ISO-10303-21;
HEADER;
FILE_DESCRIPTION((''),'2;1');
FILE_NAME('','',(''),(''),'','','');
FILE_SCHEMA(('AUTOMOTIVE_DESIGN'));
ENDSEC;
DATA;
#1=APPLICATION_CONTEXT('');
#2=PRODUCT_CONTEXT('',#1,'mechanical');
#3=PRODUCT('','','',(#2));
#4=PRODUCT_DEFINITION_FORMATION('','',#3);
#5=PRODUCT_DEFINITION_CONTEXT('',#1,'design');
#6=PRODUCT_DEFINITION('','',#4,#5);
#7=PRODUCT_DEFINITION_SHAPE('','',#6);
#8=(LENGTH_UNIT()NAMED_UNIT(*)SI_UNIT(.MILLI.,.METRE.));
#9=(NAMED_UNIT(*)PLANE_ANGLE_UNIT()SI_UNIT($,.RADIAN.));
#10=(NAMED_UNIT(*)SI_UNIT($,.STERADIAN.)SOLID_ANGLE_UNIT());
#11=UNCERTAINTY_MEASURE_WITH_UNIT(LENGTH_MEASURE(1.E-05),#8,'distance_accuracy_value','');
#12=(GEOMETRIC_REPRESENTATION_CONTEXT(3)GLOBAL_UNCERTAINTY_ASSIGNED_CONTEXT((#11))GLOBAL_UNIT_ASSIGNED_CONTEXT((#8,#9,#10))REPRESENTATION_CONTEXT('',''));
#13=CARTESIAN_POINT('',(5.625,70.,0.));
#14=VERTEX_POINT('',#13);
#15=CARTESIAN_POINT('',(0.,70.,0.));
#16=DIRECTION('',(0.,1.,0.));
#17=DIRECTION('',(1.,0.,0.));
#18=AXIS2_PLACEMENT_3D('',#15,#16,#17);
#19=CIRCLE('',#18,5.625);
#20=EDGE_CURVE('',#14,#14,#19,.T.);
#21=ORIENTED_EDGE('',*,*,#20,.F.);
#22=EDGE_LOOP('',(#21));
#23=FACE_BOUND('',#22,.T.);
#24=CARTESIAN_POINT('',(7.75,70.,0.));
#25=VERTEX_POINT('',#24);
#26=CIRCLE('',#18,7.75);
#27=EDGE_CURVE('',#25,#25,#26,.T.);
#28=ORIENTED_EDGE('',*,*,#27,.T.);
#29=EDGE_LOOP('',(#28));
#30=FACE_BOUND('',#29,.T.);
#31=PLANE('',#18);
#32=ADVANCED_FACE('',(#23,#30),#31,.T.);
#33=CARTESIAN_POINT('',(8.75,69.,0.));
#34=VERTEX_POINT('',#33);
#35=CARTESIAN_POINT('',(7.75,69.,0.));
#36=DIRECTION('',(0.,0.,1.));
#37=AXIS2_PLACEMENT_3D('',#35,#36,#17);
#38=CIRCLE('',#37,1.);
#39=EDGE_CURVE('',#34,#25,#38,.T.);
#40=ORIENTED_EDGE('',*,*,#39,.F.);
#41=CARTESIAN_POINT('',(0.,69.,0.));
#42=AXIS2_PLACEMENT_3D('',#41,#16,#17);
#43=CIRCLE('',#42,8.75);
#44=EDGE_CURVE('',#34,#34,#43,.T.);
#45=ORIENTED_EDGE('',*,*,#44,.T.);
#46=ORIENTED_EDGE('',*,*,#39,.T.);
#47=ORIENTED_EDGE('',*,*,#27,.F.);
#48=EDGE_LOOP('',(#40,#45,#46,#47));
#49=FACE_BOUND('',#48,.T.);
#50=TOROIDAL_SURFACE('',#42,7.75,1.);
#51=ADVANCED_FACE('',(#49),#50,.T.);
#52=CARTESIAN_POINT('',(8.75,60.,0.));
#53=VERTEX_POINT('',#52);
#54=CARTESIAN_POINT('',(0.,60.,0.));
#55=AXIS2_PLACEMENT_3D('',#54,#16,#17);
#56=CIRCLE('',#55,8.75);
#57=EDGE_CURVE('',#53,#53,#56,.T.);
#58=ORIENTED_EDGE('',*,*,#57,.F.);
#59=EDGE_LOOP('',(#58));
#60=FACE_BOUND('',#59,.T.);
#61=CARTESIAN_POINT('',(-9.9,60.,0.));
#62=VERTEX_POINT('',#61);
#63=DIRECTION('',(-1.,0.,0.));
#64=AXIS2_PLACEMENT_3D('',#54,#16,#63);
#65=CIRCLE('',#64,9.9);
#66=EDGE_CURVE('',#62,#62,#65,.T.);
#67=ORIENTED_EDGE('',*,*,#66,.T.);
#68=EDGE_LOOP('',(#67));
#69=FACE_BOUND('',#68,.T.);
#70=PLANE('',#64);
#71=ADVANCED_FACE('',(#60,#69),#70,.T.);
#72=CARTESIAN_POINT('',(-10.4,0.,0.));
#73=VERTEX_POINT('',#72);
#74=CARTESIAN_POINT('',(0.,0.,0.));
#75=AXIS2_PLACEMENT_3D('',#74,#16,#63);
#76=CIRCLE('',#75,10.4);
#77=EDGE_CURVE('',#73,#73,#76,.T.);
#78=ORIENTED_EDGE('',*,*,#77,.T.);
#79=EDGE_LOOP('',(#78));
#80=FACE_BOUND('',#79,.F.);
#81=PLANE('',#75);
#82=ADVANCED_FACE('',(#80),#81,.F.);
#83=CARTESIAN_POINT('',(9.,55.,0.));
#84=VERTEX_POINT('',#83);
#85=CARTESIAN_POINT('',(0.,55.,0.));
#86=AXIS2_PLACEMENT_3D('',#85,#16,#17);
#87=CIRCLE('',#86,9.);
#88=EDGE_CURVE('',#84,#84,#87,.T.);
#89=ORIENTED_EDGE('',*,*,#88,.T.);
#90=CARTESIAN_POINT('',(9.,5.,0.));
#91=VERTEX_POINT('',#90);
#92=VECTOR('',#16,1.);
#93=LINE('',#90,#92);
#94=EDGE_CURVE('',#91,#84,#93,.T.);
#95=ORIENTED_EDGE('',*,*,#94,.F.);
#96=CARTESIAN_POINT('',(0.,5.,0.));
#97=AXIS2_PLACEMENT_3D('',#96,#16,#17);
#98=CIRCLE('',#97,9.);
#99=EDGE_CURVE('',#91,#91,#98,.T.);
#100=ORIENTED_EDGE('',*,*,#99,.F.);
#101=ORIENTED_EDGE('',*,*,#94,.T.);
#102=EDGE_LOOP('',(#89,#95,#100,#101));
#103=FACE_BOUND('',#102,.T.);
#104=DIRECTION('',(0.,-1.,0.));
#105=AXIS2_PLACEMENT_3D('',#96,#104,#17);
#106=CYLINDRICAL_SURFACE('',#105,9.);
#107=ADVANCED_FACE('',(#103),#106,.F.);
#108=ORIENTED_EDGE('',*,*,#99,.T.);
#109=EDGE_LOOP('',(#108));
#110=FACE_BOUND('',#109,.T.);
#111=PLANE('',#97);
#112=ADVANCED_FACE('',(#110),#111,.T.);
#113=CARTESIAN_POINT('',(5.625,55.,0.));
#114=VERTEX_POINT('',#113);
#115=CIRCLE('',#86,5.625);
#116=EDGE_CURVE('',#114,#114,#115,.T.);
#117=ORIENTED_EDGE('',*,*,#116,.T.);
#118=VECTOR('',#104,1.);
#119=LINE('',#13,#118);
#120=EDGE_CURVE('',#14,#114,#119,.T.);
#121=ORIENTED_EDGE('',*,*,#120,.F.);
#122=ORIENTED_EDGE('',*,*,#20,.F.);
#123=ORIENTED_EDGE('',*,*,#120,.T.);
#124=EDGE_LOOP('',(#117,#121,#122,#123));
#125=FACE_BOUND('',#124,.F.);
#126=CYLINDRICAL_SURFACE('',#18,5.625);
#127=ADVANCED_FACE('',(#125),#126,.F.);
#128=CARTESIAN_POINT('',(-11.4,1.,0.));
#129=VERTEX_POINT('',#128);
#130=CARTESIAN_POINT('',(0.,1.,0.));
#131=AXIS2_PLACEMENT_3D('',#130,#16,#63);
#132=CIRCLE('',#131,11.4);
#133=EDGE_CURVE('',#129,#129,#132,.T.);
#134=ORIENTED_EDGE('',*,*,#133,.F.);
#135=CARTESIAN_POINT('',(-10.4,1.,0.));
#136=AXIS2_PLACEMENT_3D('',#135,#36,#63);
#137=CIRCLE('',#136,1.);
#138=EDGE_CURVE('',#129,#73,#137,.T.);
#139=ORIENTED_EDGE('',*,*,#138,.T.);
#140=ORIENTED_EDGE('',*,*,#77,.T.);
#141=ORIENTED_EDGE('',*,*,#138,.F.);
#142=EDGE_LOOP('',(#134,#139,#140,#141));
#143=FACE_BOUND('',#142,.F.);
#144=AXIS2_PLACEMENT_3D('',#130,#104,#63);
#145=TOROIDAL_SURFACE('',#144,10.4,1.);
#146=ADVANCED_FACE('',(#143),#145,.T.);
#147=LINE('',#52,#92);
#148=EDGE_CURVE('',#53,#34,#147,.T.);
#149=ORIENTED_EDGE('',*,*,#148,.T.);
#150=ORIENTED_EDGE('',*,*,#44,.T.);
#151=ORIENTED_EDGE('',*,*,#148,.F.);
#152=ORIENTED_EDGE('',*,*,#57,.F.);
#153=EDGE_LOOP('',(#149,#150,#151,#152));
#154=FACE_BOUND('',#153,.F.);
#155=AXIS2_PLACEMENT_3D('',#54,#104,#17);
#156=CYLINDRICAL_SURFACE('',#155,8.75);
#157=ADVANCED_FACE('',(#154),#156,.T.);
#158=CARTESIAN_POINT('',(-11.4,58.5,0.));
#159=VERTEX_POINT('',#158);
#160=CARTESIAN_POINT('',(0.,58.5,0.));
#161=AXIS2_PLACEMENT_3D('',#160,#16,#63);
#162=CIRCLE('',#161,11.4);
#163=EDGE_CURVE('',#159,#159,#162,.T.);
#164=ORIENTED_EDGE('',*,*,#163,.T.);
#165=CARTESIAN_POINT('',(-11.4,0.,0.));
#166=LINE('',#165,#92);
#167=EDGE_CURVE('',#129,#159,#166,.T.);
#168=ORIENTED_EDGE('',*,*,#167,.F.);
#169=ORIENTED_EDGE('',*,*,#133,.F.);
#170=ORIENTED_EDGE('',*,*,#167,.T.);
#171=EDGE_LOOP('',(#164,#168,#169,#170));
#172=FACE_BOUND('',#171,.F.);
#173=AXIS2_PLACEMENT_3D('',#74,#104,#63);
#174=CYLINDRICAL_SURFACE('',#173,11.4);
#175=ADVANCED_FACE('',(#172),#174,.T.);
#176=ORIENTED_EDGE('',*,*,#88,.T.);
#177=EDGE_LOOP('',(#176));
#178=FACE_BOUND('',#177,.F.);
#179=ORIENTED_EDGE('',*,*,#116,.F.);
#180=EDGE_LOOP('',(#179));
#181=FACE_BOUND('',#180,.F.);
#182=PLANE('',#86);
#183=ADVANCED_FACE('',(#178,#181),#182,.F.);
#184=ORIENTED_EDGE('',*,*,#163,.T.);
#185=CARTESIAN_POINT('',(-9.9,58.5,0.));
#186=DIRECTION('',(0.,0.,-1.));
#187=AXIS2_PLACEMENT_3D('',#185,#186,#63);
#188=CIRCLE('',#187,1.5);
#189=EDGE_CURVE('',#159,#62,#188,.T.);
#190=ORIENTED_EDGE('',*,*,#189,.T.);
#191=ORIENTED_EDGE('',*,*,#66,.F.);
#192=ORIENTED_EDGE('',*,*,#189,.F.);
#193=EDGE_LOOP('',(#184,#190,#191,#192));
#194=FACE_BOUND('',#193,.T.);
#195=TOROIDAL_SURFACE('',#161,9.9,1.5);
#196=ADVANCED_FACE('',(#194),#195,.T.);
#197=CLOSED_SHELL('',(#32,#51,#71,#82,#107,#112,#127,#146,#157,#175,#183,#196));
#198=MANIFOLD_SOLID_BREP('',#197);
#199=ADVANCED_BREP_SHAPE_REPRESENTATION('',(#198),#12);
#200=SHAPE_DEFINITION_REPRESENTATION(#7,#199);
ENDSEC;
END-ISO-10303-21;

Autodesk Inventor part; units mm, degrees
ref_plane "YZ Plane" through (0, 0, 0) normal (1, 0, 0) x (0, 1, 0)
ref_plane "XZ Plane" through (0, 0, 0) normal (0, 1, 0) x (-1, 0, 0)
ref_plane "XY Plane" through (0, 0, 0) normal (0, 0, 1) x (1, 0, 0)
sketch "Sketch1" plane through (0, 0, 0) normal (0, 1, 0) x (-1, 0, 0)
  circle A0 centre (0, 0) radius 11.4
  dimension "d2" = 22.8
extrude "Extrusion1" add sketch "Sketch1" along normal blind 60
sketch "Sketch2" plane through (0, 60, 0) normal (0, 1, 0) x (1, 0, 0)
  circle A0 centre (0, 0) radius 8.75
  dimension "d3" = 17.5
extrude "Extrusion2" add sketch "Sketch2" along normal blind 10
fillet "Fillet1" radius 1.5 1 edges at (11.4, 60, 0)
thread "Thread1" size "M18x2.5" class "6g" standard "ANSI Metric M Profile" full length
sketch "Sketch3" plane through (0, 70, 0) normal (0, 1, 0) x (1, 0, 0)
  circle A0 centre (0, 0) radius 5.625
  dimension "d9" = 11.25
extrude "Extrusion3" cut sketch "Sketch3" against normal blind 65
fillet "Fillet2" radius 1 2 edges at (11.4, 0, 0) (-8.75, 70, 0)
sketch "Sketch4" plane through (0, 5, 0) normal (0, 1, 0) x (1, 0, 0)
  circle A0 centre (0, 0) radius 9
  dimension "d13" = 18
extrude "Extrusion4" cut sketch "Sketch4" along normal blind 50
properties part number "Vial"
